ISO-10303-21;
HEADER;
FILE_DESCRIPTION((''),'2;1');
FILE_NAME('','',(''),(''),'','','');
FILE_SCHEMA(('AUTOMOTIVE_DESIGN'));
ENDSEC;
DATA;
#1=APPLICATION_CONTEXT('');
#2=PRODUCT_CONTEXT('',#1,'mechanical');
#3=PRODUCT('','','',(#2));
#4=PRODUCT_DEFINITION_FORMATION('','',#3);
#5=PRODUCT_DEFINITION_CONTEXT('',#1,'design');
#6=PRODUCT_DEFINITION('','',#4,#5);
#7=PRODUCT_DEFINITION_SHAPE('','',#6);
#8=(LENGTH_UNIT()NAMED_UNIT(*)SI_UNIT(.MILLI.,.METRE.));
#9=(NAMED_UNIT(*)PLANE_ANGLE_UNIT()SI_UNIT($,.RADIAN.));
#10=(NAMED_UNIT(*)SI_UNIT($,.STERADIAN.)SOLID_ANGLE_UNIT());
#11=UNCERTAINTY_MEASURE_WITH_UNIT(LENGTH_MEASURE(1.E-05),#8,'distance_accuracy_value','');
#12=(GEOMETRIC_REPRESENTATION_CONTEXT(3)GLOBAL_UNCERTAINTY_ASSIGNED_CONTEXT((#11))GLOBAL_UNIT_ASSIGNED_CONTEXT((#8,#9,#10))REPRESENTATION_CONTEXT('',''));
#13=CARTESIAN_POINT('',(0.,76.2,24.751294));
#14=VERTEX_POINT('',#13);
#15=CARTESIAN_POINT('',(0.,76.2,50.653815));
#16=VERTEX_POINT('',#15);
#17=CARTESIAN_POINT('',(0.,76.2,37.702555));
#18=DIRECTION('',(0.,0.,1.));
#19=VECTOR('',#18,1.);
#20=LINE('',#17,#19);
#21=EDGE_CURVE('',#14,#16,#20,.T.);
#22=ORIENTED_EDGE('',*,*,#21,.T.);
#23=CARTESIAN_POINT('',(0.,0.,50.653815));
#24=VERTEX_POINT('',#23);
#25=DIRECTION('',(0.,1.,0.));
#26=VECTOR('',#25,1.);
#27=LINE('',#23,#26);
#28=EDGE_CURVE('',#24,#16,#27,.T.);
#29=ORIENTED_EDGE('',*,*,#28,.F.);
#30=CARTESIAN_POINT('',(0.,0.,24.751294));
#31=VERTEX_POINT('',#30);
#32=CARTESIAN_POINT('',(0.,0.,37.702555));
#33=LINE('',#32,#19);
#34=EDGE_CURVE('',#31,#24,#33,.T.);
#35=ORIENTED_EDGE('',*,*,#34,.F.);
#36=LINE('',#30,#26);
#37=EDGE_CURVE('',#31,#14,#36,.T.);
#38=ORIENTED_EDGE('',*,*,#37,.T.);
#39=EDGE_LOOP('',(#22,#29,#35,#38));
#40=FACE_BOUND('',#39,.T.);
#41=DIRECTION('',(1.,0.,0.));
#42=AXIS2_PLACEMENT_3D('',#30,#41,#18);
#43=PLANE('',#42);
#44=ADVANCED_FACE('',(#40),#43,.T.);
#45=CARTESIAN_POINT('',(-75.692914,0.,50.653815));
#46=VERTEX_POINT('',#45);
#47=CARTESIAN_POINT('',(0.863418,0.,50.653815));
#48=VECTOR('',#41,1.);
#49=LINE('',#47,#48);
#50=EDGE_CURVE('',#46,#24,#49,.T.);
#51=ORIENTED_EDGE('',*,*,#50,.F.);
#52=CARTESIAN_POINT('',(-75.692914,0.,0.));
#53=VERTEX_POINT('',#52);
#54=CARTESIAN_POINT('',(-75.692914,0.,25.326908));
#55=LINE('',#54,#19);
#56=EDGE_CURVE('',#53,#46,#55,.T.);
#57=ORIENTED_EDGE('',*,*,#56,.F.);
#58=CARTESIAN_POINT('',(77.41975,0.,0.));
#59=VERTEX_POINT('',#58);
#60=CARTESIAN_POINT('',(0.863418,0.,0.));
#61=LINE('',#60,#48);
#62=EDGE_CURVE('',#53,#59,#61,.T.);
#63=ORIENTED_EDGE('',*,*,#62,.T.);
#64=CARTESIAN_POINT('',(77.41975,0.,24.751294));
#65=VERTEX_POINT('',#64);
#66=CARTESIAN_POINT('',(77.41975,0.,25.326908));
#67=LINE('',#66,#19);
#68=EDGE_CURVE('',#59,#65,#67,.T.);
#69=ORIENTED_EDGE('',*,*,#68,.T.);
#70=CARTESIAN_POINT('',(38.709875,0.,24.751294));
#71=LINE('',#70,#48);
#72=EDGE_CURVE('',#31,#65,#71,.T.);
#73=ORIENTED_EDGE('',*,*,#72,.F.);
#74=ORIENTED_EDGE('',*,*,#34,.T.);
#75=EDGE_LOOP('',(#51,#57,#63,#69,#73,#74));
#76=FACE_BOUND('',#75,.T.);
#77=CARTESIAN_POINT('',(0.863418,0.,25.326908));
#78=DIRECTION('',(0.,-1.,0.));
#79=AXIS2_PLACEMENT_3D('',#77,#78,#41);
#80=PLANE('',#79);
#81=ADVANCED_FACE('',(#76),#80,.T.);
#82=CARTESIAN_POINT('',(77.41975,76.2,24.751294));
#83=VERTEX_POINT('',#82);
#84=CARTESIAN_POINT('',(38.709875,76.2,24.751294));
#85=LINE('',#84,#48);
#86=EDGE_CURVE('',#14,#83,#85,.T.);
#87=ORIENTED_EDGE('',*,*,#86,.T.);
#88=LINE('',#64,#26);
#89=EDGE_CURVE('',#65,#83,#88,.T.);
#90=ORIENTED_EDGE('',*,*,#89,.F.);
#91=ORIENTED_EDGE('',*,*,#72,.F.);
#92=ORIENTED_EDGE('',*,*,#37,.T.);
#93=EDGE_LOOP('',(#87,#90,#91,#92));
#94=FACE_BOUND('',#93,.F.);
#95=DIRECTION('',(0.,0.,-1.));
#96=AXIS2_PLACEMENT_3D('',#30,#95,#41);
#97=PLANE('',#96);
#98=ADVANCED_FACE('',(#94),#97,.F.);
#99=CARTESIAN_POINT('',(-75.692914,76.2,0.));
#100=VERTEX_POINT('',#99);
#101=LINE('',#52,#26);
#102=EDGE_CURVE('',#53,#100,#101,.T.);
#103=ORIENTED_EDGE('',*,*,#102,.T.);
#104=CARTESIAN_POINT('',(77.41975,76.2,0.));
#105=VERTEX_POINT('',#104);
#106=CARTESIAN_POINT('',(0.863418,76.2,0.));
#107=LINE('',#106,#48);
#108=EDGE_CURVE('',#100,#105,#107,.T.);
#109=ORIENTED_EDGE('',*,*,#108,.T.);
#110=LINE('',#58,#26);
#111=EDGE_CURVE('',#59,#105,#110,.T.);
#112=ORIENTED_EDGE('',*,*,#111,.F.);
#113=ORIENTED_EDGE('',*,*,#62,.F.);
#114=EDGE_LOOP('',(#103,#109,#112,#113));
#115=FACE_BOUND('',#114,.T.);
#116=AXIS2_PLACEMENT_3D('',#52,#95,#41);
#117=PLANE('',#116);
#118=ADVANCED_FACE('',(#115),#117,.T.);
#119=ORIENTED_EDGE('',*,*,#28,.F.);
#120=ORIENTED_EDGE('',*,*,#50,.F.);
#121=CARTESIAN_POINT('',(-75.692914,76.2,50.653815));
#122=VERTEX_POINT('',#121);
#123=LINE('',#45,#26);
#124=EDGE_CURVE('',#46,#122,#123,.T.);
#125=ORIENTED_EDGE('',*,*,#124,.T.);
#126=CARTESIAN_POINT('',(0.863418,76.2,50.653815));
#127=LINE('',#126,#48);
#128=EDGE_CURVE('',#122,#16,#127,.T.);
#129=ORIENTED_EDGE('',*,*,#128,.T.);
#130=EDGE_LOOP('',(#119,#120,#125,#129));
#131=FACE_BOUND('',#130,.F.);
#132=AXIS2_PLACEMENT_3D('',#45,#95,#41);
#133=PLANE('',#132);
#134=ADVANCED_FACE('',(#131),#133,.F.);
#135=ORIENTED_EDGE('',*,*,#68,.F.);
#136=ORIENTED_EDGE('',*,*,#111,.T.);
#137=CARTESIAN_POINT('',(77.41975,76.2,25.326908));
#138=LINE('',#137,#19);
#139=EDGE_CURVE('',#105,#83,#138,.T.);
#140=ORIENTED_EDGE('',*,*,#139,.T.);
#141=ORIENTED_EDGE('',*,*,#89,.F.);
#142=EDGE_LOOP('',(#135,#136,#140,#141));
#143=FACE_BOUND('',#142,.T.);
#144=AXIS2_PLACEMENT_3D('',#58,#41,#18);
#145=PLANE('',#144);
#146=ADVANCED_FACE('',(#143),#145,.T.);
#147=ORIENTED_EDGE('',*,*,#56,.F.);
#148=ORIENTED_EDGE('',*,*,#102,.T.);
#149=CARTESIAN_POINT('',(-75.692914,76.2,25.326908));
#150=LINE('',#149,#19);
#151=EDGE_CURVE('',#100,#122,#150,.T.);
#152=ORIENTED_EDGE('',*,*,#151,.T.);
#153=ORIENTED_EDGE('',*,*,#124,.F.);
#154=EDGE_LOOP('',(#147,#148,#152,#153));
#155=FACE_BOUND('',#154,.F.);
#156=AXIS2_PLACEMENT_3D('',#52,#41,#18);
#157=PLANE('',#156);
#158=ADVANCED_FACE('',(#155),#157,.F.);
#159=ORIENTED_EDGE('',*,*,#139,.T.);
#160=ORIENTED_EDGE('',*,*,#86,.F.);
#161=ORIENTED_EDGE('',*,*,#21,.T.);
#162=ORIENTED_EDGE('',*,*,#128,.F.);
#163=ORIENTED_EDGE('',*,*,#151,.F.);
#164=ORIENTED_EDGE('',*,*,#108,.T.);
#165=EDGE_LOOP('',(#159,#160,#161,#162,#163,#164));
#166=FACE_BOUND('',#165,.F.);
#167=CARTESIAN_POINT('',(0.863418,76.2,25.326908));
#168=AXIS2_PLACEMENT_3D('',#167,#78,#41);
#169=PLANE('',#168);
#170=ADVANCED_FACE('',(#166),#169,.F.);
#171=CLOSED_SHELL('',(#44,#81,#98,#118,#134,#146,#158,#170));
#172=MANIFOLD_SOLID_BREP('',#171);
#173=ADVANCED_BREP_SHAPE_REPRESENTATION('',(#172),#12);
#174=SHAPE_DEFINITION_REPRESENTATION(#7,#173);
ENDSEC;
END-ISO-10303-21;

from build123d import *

# Parameters (mm, degrees)
F0_W     = 76.2685239315
F0_H     = 25.6147123873
F1_DEPTH = 76.2
F3_W     = 153.1126648188
F3_H     = 50.6538152695
F4_DEPTH = 76.2
F5_W     = 77.4197503924
F5_H     = 25.9025208652
F6_DEPTH = 76.2


with BuildPart() as f1:
    # F0 (on Front) → F1 (new body)
    with BuildSketch(Plane.XZ):
        with Locations((38.1342619658, 12.8073561937)):
            Rectangle(F0_W, F0_H)
    extrude(amount=F1_DEPTH)


with BuildPart() as f4:
    # F3 (on Front) → F4 (new body)
    with BuildSketch(Plane.XZ):
        with Locations((0.8634179831, 25.3269076347)):
            Rectangle(F3_W, F3_H)
    extrude(amount=-F4_DEPTH)

    # F5 (on face) → F6 (cut, through all)
    with BuildSketch(Plane.XZ):
        with Locations((38.7098751962, 37.7025548369)):
            Rectangle(F5_W, F5_H)
    extrude(amount=-F6_DEPTH, mode=Mode.SUBTRACT)


solid = f4.part
